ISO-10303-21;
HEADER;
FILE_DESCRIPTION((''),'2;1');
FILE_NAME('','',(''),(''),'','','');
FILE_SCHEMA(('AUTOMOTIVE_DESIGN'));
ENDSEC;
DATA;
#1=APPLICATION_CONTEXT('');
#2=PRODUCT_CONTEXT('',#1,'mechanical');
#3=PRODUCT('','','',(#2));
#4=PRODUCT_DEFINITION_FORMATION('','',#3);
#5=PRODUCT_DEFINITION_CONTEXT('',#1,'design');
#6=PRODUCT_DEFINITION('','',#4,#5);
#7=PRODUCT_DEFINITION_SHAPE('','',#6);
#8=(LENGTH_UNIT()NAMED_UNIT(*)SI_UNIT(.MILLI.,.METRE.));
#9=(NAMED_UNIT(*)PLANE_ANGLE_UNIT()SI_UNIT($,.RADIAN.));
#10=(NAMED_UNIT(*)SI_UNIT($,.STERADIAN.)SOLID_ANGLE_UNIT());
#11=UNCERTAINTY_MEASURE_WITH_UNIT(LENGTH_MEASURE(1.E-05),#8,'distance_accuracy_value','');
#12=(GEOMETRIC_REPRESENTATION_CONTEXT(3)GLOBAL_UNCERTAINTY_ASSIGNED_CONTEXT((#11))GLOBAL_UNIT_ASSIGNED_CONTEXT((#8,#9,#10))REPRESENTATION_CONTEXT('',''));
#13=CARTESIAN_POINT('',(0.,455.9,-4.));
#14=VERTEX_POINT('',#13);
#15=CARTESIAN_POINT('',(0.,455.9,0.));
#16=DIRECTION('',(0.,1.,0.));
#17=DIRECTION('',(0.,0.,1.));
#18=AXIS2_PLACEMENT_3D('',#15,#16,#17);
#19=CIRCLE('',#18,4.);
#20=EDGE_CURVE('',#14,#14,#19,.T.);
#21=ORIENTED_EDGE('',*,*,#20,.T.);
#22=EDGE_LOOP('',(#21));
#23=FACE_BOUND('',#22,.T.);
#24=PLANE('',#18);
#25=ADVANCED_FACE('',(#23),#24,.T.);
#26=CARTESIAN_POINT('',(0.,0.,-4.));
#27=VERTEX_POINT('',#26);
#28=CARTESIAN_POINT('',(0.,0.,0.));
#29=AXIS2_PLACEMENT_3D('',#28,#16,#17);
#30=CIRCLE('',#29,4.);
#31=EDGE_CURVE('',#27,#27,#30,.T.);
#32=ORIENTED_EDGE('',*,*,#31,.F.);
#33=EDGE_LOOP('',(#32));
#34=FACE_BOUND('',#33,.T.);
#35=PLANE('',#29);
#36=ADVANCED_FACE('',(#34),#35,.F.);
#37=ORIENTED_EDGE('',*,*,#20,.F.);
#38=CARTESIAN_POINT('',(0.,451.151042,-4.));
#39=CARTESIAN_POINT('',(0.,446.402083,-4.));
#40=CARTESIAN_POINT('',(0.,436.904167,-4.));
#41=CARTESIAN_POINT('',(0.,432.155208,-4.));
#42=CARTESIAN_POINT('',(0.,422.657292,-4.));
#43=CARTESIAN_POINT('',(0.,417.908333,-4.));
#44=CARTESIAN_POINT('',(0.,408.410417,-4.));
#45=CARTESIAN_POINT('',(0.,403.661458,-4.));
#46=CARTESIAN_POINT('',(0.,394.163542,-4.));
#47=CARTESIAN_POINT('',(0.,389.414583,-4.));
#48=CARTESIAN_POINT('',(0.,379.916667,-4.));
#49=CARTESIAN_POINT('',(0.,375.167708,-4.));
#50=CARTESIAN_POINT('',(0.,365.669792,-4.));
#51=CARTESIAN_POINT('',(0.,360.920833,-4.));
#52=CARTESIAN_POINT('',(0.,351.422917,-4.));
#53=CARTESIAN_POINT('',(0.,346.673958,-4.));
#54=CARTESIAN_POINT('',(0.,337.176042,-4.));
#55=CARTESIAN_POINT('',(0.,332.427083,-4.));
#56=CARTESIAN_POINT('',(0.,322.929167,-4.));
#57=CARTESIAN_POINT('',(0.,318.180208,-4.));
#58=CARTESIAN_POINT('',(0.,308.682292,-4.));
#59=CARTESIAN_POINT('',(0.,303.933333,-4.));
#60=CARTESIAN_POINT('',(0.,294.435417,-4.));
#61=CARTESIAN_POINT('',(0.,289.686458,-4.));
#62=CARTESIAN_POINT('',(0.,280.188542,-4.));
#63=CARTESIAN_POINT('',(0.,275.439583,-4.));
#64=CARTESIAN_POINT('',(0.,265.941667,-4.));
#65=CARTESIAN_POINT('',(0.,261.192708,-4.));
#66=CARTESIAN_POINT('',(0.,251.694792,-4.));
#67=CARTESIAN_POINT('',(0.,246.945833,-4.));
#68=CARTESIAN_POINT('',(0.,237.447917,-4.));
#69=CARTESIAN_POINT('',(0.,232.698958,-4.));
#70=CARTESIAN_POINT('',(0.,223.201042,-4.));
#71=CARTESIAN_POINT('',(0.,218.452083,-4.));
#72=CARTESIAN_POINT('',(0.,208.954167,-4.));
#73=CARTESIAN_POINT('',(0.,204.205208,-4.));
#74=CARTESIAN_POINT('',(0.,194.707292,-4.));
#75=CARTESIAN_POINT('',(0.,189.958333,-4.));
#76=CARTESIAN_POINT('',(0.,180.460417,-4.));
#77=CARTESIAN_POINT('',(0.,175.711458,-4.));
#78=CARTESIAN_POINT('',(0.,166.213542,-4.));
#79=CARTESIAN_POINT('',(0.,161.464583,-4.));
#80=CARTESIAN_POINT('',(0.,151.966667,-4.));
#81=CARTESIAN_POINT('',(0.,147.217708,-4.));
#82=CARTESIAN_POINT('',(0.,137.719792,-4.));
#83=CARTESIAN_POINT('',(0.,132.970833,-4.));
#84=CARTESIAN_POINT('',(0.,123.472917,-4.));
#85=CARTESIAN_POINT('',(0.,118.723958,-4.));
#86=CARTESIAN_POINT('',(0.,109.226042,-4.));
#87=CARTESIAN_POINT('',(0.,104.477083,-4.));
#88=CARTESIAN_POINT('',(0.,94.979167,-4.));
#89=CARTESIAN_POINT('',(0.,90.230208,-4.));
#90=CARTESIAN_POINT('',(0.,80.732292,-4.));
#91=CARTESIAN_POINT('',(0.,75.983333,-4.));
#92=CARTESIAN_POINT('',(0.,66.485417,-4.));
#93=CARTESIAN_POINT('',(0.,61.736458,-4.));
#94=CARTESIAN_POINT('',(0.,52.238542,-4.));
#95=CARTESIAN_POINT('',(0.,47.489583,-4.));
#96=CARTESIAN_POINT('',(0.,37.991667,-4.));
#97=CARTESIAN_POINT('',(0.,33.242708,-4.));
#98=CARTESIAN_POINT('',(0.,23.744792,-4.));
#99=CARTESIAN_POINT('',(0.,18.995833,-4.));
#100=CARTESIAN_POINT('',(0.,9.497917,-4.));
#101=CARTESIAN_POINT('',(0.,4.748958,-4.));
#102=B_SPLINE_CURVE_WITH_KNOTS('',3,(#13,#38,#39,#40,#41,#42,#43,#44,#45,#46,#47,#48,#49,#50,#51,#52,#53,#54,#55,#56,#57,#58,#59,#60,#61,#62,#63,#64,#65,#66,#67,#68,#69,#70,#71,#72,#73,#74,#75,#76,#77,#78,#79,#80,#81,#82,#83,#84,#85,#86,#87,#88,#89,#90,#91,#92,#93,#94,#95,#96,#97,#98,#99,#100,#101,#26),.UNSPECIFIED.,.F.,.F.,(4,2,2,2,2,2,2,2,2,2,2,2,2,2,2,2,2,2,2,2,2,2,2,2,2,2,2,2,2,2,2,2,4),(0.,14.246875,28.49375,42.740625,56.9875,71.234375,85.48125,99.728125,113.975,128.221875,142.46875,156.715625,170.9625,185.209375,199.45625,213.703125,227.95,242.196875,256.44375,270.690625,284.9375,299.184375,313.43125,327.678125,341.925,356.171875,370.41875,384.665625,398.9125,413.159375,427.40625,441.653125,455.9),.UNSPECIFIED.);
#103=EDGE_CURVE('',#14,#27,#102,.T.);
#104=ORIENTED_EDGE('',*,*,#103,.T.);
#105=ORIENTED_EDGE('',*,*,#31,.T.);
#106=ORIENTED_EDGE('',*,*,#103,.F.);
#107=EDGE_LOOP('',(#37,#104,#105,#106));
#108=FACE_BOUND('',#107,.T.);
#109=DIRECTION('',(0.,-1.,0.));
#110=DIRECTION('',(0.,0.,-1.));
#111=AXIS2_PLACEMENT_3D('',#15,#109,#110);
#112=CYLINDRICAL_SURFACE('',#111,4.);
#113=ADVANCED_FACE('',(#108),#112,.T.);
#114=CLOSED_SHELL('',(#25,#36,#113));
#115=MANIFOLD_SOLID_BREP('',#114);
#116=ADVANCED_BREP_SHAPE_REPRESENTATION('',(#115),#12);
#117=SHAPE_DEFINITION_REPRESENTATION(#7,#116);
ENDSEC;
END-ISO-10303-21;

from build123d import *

# Parameters (mm, degrees)
SKETCH1_R           = 4
BOSS_EXTRUDE1_DEPTH = 455.9


with BuildPart() as part:
    # Sketch1 → Boss-Extrude1 (new body)
    with BuildSketch(Plane(origin=(0, 0, 0), x_dir=(1, 0, 0), z_dir=(0, 1, 0))):
        with Locations(Location((0, 0, 0), (0, 0, 90))):
            Circle(SKETCH1_R)
    extrude(amount=BOSS_EXTRUDE1_DEPTH)


solid = part.part
